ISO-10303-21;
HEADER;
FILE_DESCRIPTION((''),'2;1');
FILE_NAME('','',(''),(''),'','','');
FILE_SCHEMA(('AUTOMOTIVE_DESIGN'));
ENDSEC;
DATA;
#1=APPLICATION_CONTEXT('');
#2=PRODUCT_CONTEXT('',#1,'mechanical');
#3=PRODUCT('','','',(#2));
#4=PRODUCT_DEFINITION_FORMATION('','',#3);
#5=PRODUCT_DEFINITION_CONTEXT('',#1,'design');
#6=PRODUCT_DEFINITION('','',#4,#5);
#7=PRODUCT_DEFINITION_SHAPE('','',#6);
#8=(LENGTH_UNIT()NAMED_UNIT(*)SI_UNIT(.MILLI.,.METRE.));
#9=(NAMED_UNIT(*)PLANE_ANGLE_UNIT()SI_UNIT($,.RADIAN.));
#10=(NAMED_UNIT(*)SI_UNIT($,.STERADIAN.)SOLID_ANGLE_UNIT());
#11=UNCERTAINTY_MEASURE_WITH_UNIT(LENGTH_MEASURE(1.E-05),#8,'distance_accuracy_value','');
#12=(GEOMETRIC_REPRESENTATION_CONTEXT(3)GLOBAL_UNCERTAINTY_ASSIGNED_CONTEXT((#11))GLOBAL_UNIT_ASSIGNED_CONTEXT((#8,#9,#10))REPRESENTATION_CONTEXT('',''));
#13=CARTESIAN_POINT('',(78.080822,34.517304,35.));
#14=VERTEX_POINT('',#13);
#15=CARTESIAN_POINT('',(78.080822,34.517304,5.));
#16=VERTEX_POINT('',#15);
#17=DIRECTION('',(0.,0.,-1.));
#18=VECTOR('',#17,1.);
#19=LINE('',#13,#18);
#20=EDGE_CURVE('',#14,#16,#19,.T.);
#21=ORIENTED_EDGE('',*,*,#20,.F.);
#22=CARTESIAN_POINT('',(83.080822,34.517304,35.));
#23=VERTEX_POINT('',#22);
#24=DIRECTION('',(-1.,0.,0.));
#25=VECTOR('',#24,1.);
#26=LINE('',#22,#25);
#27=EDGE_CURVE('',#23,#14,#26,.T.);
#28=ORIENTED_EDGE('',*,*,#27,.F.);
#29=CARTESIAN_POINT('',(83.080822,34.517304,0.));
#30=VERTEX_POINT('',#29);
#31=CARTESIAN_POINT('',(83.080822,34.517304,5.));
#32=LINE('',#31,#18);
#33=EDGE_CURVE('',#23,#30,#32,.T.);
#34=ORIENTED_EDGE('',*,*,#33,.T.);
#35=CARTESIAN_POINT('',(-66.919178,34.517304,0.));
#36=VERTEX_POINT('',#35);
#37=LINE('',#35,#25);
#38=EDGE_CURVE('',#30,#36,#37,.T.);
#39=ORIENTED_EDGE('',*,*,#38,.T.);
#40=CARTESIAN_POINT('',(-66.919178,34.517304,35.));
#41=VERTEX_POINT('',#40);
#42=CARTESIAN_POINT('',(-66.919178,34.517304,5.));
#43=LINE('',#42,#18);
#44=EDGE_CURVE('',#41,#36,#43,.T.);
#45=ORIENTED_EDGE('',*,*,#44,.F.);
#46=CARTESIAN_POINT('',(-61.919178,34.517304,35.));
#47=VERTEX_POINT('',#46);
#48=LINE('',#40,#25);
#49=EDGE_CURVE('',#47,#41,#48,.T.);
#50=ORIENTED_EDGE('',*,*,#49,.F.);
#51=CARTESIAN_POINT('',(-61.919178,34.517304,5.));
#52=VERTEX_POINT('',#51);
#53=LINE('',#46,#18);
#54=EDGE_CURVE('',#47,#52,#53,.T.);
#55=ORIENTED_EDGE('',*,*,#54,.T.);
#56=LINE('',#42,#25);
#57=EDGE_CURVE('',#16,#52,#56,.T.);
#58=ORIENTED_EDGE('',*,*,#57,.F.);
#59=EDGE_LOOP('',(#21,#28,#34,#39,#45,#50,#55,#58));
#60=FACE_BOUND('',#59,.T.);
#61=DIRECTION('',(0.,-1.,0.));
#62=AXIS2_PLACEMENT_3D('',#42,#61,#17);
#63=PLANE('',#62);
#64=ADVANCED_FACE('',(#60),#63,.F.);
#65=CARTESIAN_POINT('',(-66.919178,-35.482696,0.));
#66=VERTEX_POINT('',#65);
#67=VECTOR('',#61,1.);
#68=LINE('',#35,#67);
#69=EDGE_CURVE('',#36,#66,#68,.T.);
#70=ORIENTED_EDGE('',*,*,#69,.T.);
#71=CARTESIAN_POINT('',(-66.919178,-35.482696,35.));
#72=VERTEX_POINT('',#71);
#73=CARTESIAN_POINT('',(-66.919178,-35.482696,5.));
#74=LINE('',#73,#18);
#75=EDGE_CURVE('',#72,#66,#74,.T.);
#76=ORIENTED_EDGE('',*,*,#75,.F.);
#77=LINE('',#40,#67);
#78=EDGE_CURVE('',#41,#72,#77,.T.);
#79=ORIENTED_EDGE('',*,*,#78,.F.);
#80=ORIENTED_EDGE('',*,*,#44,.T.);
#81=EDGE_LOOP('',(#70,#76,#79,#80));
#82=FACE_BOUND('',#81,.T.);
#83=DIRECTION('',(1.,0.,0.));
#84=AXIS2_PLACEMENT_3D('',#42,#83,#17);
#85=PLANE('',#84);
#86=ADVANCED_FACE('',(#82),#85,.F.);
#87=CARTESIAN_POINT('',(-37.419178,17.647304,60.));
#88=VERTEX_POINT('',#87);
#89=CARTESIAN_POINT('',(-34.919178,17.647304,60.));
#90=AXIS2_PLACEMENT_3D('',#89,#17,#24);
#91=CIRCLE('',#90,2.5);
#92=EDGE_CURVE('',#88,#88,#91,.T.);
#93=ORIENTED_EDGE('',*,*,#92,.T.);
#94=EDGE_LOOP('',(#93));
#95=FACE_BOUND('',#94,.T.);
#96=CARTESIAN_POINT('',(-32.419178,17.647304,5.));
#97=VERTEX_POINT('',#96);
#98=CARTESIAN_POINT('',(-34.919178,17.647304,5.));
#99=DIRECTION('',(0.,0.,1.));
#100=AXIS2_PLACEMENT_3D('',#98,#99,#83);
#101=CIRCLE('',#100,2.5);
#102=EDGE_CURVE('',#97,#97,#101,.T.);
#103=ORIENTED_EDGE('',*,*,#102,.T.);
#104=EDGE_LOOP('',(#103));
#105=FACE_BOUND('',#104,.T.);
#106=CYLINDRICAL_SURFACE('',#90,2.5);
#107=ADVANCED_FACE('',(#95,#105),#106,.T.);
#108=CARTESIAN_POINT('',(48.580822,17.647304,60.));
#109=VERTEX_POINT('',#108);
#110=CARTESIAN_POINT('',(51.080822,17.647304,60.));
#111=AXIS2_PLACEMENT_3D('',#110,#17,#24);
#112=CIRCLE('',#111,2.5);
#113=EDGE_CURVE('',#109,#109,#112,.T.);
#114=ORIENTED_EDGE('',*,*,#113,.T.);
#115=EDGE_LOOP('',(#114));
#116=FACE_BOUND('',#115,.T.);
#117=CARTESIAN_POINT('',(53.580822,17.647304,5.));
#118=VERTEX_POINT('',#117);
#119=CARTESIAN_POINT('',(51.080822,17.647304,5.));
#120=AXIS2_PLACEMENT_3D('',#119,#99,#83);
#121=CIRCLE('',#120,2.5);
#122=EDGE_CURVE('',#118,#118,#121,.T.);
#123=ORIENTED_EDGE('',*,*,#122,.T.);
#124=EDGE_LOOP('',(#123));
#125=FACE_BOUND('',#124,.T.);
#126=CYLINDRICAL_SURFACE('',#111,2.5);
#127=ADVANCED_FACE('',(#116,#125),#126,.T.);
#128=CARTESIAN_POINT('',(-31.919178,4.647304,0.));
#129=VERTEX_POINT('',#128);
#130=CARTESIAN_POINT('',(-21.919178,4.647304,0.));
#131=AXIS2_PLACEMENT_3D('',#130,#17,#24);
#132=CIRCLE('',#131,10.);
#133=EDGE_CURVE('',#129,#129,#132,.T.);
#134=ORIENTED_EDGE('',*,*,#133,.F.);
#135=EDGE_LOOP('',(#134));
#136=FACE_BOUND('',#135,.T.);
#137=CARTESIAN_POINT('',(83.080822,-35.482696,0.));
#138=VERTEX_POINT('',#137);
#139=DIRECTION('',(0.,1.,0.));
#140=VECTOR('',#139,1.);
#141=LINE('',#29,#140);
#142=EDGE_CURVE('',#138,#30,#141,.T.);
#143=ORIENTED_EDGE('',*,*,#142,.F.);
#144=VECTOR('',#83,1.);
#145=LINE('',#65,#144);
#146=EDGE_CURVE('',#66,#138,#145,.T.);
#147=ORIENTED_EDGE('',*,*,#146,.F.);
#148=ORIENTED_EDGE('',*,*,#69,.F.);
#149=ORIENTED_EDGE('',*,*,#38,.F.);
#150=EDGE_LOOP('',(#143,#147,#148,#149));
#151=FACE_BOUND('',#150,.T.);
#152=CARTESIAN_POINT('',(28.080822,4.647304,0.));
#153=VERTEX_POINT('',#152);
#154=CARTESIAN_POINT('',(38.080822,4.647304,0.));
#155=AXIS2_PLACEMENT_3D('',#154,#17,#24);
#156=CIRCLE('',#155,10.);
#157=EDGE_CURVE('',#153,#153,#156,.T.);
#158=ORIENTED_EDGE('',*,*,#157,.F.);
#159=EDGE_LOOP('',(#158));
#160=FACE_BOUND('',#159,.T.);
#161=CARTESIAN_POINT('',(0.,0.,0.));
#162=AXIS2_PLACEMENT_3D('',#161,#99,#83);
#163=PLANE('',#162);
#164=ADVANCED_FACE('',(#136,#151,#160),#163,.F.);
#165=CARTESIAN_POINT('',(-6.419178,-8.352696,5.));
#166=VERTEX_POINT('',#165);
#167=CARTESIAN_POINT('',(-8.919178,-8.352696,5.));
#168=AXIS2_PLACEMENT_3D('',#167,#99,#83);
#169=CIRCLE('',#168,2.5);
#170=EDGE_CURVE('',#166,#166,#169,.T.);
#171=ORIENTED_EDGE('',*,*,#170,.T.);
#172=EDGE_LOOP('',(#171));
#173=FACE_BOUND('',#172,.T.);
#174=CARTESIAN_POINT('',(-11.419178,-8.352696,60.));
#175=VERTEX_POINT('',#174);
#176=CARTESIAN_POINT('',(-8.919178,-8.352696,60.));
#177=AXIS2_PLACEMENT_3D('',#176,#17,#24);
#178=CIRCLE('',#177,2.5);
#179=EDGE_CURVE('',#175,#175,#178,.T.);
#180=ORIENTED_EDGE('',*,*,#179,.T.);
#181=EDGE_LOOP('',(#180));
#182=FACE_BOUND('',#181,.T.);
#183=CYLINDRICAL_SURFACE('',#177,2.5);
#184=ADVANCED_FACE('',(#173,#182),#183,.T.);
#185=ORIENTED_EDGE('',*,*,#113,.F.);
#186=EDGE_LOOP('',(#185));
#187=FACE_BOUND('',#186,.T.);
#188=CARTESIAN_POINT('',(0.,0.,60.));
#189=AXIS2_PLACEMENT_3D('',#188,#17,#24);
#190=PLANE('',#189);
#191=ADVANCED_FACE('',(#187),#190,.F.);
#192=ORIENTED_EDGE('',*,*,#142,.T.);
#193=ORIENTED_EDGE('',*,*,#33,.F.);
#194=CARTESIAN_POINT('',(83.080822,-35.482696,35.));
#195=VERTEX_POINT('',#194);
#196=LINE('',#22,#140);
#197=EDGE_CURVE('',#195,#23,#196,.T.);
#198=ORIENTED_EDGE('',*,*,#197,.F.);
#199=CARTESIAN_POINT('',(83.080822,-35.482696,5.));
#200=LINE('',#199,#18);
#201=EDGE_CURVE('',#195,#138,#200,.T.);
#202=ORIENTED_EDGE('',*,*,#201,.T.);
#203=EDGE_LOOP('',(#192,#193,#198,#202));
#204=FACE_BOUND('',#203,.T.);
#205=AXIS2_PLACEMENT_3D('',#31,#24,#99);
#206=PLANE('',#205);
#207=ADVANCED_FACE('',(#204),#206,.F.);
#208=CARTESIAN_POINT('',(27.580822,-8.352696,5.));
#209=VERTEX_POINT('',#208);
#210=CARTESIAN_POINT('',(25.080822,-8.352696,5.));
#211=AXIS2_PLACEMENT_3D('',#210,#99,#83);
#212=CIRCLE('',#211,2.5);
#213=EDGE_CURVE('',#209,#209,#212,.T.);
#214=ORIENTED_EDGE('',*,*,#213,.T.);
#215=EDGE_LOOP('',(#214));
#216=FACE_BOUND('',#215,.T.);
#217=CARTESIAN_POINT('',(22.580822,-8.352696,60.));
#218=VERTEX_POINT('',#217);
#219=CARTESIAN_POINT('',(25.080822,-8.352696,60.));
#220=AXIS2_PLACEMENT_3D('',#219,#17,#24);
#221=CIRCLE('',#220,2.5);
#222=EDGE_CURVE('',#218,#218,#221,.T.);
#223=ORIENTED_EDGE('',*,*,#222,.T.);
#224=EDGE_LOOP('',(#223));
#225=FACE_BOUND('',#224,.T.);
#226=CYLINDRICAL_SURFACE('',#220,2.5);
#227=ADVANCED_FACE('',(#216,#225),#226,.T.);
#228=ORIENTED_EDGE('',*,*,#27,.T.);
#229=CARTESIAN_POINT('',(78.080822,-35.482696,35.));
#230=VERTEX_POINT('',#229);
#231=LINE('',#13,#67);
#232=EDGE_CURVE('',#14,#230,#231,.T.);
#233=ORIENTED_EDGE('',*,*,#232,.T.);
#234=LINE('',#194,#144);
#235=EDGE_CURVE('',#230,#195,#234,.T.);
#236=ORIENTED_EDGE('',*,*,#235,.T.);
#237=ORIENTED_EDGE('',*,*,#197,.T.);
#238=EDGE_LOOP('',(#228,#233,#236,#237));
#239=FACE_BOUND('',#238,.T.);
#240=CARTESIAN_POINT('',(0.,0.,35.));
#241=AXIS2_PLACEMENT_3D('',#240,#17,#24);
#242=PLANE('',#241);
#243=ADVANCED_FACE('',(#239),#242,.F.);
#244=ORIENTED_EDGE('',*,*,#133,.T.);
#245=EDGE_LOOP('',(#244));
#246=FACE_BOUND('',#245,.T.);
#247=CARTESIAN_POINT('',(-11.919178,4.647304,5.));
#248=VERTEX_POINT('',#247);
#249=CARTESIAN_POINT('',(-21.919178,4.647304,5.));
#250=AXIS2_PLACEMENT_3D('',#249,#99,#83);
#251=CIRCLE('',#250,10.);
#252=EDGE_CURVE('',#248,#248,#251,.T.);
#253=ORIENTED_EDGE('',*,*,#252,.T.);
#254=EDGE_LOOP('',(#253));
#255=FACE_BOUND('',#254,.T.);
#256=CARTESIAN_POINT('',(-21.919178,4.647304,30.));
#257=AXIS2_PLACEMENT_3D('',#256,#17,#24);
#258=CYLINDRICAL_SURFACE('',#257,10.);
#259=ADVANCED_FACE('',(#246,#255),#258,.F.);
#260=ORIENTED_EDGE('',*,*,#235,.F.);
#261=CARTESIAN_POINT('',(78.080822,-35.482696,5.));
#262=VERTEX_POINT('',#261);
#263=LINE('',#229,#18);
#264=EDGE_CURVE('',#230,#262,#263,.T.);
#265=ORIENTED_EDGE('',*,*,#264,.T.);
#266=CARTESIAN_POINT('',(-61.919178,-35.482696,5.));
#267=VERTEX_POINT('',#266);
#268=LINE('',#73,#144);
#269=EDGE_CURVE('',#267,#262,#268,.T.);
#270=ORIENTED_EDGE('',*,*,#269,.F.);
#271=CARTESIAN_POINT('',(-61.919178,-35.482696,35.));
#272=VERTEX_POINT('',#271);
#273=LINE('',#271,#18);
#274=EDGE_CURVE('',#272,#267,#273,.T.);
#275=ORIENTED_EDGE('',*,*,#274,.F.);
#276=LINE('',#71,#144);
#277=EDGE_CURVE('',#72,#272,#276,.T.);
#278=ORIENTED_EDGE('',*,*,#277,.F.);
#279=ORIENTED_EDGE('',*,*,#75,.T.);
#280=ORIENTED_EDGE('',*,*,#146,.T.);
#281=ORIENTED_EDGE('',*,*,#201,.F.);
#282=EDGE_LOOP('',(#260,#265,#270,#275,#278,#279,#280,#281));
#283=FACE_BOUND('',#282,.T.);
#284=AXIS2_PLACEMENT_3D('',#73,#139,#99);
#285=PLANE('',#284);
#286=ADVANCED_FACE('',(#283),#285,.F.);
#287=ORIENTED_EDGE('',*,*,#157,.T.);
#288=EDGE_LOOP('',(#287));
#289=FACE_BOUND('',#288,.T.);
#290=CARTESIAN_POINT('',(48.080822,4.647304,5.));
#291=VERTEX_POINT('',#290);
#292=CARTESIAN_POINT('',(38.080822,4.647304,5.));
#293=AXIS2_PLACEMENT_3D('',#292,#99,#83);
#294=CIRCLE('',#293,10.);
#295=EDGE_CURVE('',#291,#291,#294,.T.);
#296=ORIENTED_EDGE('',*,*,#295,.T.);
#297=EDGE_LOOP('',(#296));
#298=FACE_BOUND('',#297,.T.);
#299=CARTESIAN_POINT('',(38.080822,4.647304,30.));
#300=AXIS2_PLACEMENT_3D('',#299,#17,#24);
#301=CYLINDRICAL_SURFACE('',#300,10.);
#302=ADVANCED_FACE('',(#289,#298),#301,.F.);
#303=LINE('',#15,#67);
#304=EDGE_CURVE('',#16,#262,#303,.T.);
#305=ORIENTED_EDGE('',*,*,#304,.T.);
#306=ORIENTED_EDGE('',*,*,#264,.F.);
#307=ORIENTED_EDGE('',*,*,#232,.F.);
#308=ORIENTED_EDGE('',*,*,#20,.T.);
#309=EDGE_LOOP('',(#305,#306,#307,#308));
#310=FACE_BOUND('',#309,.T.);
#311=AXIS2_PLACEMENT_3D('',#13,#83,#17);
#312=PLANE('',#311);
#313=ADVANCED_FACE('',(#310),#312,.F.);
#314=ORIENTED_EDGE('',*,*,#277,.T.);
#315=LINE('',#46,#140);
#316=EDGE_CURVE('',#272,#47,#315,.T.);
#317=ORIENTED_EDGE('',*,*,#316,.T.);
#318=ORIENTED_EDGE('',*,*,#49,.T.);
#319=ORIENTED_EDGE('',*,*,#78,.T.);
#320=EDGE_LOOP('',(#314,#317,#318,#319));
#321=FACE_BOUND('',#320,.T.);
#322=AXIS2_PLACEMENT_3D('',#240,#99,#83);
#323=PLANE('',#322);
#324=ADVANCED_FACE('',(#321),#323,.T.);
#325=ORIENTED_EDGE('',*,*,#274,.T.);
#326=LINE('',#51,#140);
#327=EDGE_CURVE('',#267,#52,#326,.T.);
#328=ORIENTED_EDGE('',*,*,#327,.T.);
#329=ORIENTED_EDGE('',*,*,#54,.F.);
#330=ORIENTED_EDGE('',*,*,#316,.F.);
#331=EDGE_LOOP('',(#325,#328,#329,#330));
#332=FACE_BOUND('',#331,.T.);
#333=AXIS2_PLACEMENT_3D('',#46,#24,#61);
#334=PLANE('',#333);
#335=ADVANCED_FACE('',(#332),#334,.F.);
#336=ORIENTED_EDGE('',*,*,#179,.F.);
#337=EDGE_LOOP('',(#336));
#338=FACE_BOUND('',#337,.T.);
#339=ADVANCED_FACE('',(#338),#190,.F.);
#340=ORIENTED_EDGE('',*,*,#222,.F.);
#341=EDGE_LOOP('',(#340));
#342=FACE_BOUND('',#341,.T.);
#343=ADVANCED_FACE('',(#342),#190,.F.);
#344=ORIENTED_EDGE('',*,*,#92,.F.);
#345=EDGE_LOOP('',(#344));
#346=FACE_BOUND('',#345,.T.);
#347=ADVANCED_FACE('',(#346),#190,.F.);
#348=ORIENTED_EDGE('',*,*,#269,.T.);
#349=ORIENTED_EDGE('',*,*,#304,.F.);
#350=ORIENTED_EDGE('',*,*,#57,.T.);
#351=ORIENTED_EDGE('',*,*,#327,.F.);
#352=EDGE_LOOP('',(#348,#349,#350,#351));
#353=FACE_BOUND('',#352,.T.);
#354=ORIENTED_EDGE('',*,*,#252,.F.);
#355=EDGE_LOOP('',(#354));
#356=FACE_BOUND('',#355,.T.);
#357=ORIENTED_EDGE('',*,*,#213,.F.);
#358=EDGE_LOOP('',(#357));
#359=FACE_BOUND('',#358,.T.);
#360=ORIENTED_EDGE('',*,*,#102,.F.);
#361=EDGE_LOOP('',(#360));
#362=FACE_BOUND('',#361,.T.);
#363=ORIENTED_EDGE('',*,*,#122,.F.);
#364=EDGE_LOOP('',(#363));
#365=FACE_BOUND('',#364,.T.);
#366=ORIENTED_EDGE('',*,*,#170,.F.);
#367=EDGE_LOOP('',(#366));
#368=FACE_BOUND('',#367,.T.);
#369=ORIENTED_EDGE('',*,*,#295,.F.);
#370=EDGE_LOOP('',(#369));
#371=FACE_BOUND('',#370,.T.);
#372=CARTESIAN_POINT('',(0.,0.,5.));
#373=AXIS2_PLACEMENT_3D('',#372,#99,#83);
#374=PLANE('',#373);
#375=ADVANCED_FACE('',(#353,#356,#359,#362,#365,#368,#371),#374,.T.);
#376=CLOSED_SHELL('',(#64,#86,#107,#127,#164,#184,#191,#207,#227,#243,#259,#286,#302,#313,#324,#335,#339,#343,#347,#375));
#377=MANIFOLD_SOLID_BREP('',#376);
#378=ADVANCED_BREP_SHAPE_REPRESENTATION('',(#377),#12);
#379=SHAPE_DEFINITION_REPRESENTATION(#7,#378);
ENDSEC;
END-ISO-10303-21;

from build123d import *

# Parameters (mm, degrees)
ESQUISSE1_W             = 150
ESQUISSE1_H             = 70
BOSS_EXTRU_1_DEPTH      = 5
ESQUISSE2_W             = 5
ESQUISSE2_H             = 70
BOSS_EXTRU_2_DEPTH      = 30
ESQUISSE3_R             = 10
ENL_V_MAT_EXTRU_1_DEPTH = 30
ESQUISSE5_R             = 2.5
BOSS_EXTRU_3_DEPTH      = 60


with BuildPart() as part:
    # Esquisse1 → Boss.-Extru.1 (new body)
    with BuildSketch(Plane.XY):
        with Locations((8.080821687, -0.482695652)):
            Rectangle(ESQUISSE1_W, ESQUISSE1_H)
    extrude(amount=BOSS_EXTRU_1_DEPTH)

    # Esquisse2 → Boss.-Extru.2 (add)
    with BuildSketch(Plane.XY.offset(5)):
        with Locations((-64.419178313, -0.482695652)):
            Rectangle(ESQUISSE2_W, ESQUISSE2_H)
        with Locations((80.580821687, -0.482695652)):
            Rectangle(ESQUISSE2_W, ESQUISSE2_H)
    extrude(amount=BOSS_EXTRU_2_DEPTH)

    # Esquisse3 → Enlèv. mat.-Extru.1 (cut)
    with BuildSketch(Plane(origin=(0, 0, 0), x_dir=(-1, 0, 0), z_dir=(0, 0, -1))):
        with Locations((21.919178313, 4.647304348)):
            Circle(ESQUISSE3_R)
        with Locations((-38.080821687, 4.647304348)):
            Circle(ESQUISSE3_R)
    extrude(amount=-ENL_V_MAT_EXTRU_1_DEPTH, mode=Mode.SUBTRACT)

    # Esquisse5 → Boss.-Extru.3 (add)
    with BuildSketch(Plane(origin=(0, 0, 0), x_dir=(-1, 0, 0), z_dir=(0, 0, -1))):
        with Locations((34.919178313, 17.647304348)):
            Circle(ESQUISSE5_R)
        with Locations((8.919178313, -8.352695652)):
            Circle(ESQUISSE5_R)
        with Locations((-51.080821687, 17.647304348)):
            Circle(ESQUISSE5_R)
        with Locations((-25.080821687, -8.352695652)):
            Circle(ESQUISSE5_R)
    extrude(amount=-BOSS_EXTRU_3_DEPTH)


solid = part.part
